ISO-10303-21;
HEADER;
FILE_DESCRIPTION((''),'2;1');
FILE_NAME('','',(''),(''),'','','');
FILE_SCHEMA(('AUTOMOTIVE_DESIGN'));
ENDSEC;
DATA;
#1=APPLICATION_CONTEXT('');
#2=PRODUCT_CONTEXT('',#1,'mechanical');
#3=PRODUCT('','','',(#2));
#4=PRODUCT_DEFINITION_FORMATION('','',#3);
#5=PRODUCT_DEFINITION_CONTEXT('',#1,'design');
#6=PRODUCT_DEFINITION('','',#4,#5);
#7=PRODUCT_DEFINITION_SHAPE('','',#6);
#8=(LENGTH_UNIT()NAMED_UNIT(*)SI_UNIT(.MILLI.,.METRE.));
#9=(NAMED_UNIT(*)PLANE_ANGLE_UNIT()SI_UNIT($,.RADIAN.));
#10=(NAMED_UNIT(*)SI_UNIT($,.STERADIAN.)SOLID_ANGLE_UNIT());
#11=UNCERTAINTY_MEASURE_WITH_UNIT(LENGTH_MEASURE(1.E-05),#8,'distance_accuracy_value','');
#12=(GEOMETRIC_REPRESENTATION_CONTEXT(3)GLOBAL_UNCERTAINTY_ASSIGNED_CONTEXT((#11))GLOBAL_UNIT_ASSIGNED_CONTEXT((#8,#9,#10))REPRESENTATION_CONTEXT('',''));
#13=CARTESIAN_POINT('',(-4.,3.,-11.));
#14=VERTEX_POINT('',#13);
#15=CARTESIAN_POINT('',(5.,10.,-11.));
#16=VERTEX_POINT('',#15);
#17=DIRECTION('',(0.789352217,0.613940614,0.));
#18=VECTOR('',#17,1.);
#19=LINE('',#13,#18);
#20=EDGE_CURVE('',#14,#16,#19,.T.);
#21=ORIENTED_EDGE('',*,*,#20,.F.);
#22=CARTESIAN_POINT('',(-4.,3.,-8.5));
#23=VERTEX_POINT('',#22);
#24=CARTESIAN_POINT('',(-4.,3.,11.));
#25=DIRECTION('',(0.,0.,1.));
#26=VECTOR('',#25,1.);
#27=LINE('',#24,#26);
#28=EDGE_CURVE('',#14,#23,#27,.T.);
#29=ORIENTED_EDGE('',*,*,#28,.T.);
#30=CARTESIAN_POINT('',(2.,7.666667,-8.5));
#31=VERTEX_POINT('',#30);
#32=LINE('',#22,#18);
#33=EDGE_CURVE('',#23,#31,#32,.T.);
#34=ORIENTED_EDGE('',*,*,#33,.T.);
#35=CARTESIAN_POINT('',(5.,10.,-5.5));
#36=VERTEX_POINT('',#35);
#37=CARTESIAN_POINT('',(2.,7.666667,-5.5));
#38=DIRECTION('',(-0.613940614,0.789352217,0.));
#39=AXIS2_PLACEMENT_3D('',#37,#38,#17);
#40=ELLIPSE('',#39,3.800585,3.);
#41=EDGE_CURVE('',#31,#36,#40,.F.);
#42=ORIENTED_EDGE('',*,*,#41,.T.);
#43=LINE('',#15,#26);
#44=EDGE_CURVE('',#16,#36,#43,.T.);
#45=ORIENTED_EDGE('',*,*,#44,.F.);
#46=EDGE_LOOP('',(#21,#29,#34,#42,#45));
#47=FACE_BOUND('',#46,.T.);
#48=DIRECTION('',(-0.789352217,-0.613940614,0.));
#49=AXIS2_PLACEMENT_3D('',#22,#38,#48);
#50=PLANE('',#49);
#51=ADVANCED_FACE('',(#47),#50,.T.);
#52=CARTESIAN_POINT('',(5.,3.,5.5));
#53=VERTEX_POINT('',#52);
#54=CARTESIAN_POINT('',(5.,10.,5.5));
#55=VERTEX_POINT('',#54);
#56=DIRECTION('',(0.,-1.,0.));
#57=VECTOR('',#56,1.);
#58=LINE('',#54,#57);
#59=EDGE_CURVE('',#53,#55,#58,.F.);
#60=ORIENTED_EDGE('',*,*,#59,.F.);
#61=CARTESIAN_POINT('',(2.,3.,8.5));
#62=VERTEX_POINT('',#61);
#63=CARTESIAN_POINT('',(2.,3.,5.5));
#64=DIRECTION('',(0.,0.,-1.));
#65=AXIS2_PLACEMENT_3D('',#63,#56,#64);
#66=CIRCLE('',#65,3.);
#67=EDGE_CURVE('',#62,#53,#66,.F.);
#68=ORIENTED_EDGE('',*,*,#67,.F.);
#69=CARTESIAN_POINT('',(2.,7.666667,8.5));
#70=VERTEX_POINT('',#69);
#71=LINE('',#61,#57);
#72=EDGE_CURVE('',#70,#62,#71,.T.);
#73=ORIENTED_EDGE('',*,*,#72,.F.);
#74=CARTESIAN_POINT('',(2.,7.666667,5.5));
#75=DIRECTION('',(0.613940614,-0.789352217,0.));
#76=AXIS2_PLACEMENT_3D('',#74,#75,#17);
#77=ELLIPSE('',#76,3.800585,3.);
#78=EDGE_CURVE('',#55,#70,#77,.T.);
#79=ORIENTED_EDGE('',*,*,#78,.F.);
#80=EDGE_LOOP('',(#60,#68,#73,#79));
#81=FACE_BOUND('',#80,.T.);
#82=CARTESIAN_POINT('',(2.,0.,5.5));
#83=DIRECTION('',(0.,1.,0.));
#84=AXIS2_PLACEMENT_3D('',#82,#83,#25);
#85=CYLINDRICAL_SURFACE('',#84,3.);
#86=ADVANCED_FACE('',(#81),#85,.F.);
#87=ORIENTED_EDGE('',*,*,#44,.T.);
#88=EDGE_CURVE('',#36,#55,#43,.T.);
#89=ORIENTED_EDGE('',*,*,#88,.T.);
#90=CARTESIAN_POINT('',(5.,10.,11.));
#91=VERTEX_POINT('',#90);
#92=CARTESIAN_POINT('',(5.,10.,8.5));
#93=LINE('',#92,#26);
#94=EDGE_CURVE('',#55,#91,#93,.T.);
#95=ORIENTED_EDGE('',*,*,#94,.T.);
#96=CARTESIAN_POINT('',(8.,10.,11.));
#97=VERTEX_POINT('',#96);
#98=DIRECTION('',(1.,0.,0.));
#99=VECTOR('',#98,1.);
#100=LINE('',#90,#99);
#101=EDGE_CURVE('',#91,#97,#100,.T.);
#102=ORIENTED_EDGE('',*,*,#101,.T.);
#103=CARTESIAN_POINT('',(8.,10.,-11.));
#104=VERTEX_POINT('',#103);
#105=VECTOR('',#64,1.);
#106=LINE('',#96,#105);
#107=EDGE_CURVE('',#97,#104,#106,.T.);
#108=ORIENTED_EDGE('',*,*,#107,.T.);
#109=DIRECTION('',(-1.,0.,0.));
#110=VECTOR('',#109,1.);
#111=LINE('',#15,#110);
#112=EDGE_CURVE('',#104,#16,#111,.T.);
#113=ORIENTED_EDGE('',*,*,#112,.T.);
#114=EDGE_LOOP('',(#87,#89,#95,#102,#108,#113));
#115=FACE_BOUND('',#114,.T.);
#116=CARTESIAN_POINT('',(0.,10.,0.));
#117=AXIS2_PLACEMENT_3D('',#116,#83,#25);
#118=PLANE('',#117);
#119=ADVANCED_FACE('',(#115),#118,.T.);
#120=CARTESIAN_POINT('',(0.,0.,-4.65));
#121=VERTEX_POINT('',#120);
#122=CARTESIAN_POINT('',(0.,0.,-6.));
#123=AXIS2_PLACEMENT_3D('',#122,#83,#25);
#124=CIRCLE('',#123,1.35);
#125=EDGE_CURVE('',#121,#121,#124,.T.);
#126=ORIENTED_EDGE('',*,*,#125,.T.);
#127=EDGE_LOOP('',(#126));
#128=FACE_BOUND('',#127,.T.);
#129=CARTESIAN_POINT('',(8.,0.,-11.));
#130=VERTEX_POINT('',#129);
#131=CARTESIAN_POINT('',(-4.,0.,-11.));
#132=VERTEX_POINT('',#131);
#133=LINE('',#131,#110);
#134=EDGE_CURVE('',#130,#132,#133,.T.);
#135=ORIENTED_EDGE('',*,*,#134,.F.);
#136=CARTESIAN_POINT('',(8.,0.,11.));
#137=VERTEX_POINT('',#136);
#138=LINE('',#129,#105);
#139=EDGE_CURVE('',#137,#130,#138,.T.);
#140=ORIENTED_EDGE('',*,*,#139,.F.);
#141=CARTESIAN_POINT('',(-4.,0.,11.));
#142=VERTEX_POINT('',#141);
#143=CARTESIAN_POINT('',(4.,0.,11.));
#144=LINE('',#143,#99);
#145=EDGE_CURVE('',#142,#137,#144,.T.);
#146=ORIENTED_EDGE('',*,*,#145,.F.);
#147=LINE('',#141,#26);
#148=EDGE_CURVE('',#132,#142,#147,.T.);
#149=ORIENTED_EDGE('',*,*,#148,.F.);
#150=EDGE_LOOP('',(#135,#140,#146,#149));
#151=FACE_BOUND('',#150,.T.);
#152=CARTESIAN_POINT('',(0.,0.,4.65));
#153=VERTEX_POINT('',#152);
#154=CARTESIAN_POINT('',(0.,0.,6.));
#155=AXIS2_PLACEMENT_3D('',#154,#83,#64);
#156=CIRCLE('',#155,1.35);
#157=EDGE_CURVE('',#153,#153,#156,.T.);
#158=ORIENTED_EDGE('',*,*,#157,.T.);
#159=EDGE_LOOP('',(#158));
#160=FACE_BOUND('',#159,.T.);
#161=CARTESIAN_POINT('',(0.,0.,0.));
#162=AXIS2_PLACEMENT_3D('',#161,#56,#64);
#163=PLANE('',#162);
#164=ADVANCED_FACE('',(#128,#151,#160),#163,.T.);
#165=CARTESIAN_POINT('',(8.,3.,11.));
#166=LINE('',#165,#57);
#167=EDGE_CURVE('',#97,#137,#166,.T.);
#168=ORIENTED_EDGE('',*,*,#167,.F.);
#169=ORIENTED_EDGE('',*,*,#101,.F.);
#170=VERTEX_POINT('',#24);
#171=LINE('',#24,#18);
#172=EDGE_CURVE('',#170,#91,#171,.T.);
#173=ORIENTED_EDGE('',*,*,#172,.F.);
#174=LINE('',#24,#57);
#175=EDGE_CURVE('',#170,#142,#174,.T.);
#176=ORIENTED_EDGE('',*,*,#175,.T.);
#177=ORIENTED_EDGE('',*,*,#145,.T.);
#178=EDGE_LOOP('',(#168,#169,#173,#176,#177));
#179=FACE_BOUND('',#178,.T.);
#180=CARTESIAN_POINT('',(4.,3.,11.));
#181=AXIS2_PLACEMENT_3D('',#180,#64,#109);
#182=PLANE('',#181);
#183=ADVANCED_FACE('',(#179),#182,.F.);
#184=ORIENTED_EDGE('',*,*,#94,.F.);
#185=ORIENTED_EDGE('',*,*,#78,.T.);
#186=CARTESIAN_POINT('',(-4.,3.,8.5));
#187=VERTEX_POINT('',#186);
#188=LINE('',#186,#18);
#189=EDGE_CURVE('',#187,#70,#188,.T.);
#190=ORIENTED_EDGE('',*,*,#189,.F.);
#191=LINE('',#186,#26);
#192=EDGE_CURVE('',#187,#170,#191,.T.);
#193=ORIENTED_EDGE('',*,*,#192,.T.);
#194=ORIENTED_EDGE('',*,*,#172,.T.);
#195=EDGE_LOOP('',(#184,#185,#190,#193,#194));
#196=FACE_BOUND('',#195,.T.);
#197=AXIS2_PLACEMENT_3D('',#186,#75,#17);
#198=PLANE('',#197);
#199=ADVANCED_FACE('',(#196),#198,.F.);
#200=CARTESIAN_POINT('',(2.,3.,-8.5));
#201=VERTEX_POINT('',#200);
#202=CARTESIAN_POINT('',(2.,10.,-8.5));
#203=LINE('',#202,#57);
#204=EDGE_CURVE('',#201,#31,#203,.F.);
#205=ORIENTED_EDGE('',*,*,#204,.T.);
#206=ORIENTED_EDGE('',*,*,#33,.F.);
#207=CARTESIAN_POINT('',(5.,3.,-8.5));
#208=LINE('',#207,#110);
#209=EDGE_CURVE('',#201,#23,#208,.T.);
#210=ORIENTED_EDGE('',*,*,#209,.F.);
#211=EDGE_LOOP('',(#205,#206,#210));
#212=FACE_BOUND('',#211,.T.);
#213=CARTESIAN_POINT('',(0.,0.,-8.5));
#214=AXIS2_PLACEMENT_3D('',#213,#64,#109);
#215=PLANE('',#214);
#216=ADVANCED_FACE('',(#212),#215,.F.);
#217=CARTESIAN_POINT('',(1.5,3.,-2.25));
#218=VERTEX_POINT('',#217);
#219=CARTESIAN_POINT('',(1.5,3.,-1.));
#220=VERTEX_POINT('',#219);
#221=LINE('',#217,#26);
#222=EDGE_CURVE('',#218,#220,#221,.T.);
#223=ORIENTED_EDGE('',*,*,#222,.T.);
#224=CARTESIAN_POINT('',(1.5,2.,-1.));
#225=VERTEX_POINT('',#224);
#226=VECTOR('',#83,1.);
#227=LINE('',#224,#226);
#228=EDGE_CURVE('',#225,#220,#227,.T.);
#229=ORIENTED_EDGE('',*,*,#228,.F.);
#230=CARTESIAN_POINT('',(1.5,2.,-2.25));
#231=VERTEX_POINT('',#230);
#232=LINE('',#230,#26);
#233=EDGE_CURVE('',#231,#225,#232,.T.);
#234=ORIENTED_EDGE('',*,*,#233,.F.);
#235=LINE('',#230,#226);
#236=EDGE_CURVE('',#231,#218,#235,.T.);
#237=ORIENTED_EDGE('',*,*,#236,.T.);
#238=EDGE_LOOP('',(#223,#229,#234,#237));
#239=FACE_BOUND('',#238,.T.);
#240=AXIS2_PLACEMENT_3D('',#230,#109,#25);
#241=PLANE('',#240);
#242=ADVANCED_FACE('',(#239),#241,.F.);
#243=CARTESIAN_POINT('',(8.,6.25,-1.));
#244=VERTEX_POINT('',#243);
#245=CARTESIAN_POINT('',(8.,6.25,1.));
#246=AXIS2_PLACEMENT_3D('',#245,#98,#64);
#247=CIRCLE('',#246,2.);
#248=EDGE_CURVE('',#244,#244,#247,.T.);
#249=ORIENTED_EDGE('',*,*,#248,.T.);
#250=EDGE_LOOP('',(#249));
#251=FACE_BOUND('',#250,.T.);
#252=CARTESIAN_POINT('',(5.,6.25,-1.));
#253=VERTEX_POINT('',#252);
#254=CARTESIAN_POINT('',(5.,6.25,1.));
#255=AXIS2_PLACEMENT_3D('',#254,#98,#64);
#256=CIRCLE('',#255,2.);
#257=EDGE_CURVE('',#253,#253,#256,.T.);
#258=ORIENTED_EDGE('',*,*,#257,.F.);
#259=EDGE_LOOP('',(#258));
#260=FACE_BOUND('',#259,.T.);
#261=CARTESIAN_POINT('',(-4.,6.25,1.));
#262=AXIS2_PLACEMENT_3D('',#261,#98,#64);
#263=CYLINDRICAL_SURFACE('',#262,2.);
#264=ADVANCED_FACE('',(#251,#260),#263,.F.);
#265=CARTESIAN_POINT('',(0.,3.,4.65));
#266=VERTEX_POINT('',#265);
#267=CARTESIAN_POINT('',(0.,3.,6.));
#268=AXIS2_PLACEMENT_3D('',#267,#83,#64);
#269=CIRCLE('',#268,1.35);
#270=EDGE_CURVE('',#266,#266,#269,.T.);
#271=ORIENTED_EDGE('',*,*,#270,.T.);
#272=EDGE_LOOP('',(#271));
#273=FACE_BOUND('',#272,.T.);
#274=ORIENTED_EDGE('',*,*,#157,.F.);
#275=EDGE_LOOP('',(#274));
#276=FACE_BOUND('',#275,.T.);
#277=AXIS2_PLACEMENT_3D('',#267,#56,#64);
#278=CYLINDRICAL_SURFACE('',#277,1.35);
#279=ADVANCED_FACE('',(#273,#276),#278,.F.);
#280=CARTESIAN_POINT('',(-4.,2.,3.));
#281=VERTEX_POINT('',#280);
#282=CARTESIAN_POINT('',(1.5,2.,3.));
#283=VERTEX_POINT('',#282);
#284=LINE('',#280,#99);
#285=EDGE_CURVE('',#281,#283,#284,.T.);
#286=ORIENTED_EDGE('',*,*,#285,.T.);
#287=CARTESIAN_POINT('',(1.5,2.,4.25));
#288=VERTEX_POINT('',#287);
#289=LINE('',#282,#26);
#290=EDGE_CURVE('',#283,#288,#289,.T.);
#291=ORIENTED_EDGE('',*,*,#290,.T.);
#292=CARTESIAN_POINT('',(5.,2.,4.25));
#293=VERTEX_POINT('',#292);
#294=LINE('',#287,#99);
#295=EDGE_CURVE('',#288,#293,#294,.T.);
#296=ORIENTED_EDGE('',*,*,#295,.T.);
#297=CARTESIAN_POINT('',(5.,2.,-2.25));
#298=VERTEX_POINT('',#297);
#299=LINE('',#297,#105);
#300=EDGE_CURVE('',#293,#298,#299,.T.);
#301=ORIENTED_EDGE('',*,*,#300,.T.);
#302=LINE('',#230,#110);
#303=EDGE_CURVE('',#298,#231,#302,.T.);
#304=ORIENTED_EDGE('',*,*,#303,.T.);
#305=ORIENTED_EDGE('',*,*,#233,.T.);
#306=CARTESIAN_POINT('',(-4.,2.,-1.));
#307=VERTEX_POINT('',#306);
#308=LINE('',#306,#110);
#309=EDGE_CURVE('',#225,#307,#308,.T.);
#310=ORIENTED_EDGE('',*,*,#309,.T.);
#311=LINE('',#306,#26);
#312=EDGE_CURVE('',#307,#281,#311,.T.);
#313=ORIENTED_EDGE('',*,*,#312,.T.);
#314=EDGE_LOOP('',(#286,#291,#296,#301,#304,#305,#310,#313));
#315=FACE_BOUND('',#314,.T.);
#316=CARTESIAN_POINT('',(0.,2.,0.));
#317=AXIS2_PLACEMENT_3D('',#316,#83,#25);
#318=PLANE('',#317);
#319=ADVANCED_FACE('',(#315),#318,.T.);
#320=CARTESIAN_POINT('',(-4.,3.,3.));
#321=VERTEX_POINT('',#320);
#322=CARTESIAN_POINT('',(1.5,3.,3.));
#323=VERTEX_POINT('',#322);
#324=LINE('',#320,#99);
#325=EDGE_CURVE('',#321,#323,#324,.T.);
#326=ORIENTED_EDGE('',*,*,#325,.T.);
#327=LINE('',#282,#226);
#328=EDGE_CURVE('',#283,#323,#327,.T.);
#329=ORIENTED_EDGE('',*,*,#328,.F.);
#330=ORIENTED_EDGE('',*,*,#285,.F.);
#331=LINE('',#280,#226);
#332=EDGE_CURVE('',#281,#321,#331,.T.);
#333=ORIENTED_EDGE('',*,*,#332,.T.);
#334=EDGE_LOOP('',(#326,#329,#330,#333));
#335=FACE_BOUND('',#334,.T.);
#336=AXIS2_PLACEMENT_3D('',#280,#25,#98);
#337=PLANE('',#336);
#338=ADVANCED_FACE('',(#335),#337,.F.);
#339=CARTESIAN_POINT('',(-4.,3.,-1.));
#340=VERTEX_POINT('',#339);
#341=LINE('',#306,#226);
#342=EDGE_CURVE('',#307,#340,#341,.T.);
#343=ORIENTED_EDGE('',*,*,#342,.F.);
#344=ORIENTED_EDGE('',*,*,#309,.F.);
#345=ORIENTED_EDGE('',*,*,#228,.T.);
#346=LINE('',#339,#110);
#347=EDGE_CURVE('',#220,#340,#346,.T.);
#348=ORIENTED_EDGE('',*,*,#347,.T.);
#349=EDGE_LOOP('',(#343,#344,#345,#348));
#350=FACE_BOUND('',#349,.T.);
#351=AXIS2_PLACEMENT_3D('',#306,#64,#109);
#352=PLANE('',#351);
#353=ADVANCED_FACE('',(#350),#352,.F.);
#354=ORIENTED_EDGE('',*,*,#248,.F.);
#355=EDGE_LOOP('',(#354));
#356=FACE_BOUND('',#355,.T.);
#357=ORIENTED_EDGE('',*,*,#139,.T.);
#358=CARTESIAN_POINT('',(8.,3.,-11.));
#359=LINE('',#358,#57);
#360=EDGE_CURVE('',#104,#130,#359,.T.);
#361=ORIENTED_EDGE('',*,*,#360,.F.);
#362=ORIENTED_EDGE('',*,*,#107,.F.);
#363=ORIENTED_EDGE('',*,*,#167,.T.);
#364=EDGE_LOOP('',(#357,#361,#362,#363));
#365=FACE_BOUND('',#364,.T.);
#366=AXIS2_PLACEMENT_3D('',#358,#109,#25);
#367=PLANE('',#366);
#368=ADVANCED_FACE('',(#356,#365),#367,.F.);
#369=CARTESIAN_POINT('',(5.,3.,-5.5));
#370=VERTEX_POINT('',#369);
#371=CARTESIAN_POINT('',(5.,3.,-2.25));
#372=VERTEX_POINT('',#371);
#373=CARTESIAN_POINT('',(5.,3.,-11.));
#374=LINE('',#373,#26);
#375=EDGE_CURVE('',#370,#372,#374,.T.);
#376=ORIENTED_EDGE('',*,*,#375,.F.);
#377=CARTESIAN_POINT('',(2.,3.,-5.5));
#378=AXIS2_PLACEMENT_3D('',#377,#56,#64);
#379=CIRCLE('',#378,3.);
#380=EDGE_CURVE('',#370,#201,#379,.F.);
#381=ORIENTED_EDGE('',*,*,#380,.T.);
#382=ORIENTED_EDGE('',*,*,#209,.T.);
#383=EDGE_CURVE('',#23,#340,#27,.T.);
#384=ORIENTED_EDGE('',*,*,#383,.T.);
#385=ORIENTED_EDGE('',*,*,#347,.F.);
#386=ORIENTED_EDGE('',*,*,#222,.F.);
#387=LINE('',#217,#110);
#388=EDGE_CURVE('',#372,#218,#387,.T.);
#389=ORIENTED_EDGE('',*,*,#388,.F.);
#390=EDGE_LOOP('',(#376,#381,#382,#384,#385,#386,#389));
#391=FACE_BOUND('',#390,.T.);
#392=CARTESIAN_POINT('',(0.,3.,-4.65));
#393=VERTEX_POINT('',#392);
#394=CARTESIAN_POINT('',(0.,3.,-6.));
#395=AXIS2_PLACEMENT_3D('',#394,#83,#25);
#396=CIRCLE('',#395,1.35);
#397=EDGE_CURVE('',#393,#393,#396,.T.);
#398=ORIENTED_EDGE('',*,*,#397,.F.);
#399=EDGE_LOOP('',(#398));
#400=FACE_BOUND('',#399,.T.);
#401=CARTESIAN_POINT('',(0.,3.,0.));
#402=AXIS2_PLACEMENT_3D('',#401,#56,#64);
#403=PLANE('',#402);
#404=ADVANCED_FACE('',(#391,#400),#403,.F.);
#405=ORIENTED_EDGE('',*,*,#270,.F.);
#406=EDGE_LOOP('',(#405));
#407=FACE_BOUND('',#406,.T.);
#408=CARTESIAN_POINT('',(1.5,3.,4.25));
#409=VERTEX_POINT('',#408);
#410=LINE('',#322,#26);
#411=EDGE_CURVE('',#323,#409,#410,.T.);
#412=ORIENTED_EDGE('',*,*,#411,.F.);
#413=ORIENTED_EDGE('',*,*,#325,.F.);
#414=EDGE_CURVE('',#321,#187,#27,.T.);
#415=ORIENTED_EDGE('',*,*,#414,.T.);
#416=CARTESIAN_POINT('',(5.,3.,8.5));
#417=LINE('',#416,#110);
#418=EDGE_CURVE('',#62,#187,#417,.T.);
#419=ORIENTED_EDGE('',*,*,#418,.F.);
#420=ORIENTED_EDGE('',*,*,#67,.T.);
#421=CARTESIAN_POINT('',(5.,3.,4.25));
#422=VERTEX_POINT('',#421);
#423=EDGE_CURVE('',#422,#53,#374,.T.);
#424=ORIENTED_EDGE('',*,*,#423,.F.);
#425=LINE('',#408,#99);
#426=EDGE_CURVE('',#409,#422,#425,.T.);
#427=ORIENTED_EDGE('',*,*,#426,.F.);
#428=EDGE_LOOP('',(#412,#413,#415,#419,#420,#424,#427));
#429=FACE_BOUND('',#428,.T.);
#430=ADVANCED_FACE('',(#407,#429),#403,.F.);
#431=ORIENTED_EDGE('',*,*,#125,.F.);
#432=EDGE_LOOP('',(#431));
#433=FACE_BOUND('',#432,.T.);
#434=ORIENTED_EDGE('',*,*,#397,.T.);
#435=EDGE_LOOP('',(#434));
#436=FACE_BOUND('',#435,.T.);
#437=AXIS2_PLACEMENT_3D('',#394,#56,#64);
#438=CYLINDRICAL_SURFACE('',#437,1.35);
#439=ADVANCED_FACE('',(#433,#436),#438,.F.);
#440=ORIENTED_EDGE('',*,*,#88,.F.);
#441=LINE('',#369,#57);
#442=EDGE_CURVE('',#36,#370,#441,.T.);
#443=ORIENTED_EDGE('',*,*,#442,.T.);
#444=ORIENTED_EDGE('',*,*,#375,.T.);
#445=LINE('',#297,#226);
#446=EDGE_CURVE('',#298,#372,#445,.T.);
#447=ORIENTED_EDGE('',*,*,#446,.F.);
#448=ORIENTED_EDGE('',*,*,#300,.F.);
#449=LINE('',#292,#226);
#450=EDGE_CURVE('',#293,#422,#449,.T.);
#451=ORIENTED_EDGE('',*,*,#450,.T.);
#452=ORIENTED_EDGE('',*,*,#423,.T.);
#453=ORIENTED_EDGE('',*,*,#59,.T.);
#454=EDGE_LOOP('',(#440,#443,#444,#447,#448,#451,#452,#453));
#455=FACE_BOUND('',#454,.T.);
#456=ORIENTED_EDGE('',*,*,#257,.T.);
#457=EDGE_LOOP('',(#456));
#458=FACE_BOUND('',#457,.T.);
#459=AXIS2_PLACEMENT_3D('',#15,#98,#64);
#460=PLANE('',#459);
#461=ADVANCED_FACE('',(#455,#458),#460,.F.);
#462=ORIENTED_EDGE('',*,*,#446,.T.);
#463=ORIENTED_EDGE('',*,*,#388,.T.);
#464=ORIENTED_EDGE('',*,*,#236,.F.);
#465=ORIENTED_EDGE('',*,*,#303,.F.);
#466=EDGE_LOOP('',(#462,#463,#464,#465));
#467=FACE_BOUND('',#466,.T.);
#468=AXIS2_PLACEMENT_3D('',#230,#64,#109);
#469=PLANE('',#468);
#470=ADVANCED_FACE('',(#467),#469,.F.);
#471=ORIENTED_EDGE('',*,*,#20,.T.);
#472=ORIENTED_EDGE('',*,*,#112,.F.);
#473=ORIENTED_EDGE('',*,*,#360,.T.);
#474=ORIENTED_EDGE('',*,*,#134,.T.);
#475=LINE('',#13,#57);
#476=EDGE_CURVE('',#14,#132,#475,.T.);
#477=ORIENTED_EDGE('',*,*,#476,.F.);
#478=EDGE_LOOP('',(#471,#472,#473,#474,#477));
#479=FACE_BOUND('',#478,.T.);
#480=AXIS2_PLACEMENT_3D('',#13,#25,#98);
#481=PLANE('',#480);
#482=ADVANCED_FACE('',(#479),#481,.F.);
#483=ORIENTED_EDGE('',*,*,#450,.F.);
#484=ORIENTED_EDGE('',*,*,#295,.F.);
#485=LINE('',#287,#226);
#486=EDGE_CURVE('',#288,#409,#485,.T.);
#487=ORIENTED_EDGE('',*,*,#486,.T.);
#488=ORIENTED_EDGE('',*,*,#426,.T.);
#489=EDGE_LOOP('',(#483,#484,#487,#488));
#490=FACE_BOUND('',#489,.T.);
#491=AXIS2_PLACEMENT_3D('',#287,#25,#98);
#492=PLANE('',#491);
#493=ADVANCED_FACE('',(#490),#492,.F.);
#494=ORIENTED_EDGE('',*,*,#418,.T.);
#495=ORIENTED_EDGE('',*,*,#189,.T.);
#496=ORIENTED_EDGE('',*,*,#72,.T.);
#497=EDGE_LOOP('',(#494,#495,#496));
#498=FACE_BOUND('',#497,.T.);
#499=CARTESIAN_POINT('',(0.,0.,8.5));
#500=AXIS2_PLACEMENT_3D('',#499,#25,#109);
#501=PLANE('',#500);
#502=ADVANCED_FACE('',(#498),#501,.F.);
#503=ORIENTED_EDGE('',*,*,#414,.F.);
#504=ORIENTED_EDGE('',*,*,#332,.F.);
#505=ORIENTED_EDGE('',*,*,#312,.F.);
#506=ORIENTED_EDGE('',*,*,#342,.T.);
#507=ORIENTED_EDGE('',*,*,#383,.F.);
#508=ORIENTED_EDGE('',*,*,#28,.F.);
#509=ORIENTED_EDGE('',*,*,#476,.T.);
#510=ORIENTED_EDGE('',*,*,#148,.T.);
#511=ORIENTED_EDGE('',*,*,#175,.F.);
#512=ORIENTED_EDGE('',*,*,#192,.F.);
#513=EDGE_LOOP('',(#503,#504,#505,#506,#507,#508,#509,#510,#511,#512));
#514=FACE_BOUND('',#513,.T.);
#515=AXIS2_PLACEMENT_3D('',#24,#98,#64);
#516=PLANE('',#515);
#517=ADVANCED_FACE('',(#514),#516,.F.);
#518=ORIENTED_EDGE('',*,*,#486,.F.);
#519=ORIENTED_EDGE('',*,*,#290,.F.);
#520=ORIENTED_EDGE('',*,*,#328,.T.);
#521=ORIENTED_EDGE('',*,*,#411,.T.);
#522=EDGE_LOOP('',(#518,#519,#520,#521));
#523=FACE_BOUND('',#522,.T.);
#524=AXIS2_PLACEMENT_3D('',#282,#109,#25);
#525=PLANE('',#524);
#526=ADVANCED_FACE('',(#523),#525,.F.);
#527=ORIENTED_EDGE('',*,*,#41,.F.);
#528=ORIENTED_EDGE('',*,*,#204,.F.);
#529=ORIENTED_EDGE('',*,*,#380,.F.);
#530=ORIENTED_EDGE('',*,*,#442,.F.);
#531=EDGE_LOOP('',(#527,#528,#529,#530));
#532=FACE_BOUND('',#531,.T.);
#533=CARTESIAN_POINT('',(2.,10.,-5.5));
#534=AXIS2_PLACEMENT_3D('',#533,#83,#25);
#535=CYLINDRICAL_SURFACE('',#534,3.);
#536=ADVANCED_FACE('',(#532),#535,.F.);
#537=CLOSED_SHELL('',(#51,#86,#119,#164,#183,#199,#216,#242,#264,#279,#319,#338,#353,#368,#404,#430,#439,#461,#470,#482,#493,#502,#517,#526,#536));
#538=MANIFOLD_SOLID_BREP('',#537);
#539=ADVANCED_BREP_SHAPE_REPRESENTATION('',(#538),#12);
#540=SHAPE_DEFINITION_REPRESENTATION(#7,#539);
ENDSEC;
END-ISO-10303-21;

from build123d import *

# Parameters (mm, degrees)
SKETCH_1_R          = 1.35
EXTRUDE_1_DEPTH     = 3
SKETCH_2_W          = 3
SKETCH_2_H          = 22
EXTRUDE_2_DEPTH     = 7
SKETCH_3_R          = 2
CUT_EXTRUDE_2_DEPTH = 20.104973175
EXTRUDE_3_DEPTH     = 2.5
FILLET_1_R          = 3
CUT_EXTRUDE_3_DEPTH = 1


with BuildPart() as part:
    # 草图1 → 凸台-拉伸1 (new body)
    with BuildSketch(Plane(origin=(0, 0, 0), x_dir=(1, 0, 0), z_dir=(0, 1, 0))):
        Polygon((-4, -11), (4, -11), (8, -11), (8, 11), (4, 11), (-4, 11), align=None)
        with Locations((0, 6)):
            Circle(SKETCH_1_R, mode=Mode.SUBTRACT)
        with Locations((0, -6)):
            Circle(SKETCH_1_R, mode=Mode.SUBTRACT)
    extrude(amount=EXTRUDE_1_DEPTH)

    # 草图2 → 凸台-拉伸2 (add)
    with BuildSketch(Plane(origin=(0, 3, 0), x_dir=(1, 0, 0), z_dir=(0, 1, 0))):
        with Locations((6.5, 0)):
            Rectangle(SKETCH_2_W, SKETCH_2_H)
    extrude(amount=EXTRUDE_2_DEPTH)

    # 草图3 → 切除-拉伸2 (cut, through all)
    with BuildSketch(Plane(origin=(8, 0, 0), x_dir=(0, 0, -1), z_dir=(1, 0, 0))):
        with Locations((-1, 6.25)):
            Circle(SKETCH_3_R)
    extrude(amount=-CUT_EXTRUDE_2_DEPTH, mode=Mode.SUBTRACT)

    # 草图4 → 凸台-拉伸3 (add)
    with BuildSketch(Plane(origin=(0, 0, -11), x_dir=(-1, 0, 0), z_dir=(0, 0, -1))):
        Polygon((-5, 10), (-5, 3), (4, 3), align=None)
    extrude_3 = extrude(amount=-EXTRUDE_3_DEPTH)

    # 镜向1: 凸台-拉伸3 across plane
    add(extrude_3.mirror(Plane.XY))

    # 圆角1
    fillet_1_edges = [part.edges().sort_by_distance(p)[0] for p in [
        (5, 6.5, 8.5),
        (5, 6.5, -8.5),
    ]]
    fillet(fillet_1_edges, radius=FILLET_1_R)

    # 草图5 → 切除-拉伸3 (cut)
    with BuildSketch(Plane(origin=(0, 3, 0), x_dir=(1, 0, 0), z_dir=(0, 1, 0))):
        Polygon((1.5, 2.25), (5, 2.25), (5, -4.25), (1.5, -4.25), (1.5, -3), (-4, -3), (-4, 1), (1.5, 1), align=None)
    extrude(amount=-CUT_EXTRUDE_3_DEPTH, mode=Mode.SUBTRACT)


solid = part.part
